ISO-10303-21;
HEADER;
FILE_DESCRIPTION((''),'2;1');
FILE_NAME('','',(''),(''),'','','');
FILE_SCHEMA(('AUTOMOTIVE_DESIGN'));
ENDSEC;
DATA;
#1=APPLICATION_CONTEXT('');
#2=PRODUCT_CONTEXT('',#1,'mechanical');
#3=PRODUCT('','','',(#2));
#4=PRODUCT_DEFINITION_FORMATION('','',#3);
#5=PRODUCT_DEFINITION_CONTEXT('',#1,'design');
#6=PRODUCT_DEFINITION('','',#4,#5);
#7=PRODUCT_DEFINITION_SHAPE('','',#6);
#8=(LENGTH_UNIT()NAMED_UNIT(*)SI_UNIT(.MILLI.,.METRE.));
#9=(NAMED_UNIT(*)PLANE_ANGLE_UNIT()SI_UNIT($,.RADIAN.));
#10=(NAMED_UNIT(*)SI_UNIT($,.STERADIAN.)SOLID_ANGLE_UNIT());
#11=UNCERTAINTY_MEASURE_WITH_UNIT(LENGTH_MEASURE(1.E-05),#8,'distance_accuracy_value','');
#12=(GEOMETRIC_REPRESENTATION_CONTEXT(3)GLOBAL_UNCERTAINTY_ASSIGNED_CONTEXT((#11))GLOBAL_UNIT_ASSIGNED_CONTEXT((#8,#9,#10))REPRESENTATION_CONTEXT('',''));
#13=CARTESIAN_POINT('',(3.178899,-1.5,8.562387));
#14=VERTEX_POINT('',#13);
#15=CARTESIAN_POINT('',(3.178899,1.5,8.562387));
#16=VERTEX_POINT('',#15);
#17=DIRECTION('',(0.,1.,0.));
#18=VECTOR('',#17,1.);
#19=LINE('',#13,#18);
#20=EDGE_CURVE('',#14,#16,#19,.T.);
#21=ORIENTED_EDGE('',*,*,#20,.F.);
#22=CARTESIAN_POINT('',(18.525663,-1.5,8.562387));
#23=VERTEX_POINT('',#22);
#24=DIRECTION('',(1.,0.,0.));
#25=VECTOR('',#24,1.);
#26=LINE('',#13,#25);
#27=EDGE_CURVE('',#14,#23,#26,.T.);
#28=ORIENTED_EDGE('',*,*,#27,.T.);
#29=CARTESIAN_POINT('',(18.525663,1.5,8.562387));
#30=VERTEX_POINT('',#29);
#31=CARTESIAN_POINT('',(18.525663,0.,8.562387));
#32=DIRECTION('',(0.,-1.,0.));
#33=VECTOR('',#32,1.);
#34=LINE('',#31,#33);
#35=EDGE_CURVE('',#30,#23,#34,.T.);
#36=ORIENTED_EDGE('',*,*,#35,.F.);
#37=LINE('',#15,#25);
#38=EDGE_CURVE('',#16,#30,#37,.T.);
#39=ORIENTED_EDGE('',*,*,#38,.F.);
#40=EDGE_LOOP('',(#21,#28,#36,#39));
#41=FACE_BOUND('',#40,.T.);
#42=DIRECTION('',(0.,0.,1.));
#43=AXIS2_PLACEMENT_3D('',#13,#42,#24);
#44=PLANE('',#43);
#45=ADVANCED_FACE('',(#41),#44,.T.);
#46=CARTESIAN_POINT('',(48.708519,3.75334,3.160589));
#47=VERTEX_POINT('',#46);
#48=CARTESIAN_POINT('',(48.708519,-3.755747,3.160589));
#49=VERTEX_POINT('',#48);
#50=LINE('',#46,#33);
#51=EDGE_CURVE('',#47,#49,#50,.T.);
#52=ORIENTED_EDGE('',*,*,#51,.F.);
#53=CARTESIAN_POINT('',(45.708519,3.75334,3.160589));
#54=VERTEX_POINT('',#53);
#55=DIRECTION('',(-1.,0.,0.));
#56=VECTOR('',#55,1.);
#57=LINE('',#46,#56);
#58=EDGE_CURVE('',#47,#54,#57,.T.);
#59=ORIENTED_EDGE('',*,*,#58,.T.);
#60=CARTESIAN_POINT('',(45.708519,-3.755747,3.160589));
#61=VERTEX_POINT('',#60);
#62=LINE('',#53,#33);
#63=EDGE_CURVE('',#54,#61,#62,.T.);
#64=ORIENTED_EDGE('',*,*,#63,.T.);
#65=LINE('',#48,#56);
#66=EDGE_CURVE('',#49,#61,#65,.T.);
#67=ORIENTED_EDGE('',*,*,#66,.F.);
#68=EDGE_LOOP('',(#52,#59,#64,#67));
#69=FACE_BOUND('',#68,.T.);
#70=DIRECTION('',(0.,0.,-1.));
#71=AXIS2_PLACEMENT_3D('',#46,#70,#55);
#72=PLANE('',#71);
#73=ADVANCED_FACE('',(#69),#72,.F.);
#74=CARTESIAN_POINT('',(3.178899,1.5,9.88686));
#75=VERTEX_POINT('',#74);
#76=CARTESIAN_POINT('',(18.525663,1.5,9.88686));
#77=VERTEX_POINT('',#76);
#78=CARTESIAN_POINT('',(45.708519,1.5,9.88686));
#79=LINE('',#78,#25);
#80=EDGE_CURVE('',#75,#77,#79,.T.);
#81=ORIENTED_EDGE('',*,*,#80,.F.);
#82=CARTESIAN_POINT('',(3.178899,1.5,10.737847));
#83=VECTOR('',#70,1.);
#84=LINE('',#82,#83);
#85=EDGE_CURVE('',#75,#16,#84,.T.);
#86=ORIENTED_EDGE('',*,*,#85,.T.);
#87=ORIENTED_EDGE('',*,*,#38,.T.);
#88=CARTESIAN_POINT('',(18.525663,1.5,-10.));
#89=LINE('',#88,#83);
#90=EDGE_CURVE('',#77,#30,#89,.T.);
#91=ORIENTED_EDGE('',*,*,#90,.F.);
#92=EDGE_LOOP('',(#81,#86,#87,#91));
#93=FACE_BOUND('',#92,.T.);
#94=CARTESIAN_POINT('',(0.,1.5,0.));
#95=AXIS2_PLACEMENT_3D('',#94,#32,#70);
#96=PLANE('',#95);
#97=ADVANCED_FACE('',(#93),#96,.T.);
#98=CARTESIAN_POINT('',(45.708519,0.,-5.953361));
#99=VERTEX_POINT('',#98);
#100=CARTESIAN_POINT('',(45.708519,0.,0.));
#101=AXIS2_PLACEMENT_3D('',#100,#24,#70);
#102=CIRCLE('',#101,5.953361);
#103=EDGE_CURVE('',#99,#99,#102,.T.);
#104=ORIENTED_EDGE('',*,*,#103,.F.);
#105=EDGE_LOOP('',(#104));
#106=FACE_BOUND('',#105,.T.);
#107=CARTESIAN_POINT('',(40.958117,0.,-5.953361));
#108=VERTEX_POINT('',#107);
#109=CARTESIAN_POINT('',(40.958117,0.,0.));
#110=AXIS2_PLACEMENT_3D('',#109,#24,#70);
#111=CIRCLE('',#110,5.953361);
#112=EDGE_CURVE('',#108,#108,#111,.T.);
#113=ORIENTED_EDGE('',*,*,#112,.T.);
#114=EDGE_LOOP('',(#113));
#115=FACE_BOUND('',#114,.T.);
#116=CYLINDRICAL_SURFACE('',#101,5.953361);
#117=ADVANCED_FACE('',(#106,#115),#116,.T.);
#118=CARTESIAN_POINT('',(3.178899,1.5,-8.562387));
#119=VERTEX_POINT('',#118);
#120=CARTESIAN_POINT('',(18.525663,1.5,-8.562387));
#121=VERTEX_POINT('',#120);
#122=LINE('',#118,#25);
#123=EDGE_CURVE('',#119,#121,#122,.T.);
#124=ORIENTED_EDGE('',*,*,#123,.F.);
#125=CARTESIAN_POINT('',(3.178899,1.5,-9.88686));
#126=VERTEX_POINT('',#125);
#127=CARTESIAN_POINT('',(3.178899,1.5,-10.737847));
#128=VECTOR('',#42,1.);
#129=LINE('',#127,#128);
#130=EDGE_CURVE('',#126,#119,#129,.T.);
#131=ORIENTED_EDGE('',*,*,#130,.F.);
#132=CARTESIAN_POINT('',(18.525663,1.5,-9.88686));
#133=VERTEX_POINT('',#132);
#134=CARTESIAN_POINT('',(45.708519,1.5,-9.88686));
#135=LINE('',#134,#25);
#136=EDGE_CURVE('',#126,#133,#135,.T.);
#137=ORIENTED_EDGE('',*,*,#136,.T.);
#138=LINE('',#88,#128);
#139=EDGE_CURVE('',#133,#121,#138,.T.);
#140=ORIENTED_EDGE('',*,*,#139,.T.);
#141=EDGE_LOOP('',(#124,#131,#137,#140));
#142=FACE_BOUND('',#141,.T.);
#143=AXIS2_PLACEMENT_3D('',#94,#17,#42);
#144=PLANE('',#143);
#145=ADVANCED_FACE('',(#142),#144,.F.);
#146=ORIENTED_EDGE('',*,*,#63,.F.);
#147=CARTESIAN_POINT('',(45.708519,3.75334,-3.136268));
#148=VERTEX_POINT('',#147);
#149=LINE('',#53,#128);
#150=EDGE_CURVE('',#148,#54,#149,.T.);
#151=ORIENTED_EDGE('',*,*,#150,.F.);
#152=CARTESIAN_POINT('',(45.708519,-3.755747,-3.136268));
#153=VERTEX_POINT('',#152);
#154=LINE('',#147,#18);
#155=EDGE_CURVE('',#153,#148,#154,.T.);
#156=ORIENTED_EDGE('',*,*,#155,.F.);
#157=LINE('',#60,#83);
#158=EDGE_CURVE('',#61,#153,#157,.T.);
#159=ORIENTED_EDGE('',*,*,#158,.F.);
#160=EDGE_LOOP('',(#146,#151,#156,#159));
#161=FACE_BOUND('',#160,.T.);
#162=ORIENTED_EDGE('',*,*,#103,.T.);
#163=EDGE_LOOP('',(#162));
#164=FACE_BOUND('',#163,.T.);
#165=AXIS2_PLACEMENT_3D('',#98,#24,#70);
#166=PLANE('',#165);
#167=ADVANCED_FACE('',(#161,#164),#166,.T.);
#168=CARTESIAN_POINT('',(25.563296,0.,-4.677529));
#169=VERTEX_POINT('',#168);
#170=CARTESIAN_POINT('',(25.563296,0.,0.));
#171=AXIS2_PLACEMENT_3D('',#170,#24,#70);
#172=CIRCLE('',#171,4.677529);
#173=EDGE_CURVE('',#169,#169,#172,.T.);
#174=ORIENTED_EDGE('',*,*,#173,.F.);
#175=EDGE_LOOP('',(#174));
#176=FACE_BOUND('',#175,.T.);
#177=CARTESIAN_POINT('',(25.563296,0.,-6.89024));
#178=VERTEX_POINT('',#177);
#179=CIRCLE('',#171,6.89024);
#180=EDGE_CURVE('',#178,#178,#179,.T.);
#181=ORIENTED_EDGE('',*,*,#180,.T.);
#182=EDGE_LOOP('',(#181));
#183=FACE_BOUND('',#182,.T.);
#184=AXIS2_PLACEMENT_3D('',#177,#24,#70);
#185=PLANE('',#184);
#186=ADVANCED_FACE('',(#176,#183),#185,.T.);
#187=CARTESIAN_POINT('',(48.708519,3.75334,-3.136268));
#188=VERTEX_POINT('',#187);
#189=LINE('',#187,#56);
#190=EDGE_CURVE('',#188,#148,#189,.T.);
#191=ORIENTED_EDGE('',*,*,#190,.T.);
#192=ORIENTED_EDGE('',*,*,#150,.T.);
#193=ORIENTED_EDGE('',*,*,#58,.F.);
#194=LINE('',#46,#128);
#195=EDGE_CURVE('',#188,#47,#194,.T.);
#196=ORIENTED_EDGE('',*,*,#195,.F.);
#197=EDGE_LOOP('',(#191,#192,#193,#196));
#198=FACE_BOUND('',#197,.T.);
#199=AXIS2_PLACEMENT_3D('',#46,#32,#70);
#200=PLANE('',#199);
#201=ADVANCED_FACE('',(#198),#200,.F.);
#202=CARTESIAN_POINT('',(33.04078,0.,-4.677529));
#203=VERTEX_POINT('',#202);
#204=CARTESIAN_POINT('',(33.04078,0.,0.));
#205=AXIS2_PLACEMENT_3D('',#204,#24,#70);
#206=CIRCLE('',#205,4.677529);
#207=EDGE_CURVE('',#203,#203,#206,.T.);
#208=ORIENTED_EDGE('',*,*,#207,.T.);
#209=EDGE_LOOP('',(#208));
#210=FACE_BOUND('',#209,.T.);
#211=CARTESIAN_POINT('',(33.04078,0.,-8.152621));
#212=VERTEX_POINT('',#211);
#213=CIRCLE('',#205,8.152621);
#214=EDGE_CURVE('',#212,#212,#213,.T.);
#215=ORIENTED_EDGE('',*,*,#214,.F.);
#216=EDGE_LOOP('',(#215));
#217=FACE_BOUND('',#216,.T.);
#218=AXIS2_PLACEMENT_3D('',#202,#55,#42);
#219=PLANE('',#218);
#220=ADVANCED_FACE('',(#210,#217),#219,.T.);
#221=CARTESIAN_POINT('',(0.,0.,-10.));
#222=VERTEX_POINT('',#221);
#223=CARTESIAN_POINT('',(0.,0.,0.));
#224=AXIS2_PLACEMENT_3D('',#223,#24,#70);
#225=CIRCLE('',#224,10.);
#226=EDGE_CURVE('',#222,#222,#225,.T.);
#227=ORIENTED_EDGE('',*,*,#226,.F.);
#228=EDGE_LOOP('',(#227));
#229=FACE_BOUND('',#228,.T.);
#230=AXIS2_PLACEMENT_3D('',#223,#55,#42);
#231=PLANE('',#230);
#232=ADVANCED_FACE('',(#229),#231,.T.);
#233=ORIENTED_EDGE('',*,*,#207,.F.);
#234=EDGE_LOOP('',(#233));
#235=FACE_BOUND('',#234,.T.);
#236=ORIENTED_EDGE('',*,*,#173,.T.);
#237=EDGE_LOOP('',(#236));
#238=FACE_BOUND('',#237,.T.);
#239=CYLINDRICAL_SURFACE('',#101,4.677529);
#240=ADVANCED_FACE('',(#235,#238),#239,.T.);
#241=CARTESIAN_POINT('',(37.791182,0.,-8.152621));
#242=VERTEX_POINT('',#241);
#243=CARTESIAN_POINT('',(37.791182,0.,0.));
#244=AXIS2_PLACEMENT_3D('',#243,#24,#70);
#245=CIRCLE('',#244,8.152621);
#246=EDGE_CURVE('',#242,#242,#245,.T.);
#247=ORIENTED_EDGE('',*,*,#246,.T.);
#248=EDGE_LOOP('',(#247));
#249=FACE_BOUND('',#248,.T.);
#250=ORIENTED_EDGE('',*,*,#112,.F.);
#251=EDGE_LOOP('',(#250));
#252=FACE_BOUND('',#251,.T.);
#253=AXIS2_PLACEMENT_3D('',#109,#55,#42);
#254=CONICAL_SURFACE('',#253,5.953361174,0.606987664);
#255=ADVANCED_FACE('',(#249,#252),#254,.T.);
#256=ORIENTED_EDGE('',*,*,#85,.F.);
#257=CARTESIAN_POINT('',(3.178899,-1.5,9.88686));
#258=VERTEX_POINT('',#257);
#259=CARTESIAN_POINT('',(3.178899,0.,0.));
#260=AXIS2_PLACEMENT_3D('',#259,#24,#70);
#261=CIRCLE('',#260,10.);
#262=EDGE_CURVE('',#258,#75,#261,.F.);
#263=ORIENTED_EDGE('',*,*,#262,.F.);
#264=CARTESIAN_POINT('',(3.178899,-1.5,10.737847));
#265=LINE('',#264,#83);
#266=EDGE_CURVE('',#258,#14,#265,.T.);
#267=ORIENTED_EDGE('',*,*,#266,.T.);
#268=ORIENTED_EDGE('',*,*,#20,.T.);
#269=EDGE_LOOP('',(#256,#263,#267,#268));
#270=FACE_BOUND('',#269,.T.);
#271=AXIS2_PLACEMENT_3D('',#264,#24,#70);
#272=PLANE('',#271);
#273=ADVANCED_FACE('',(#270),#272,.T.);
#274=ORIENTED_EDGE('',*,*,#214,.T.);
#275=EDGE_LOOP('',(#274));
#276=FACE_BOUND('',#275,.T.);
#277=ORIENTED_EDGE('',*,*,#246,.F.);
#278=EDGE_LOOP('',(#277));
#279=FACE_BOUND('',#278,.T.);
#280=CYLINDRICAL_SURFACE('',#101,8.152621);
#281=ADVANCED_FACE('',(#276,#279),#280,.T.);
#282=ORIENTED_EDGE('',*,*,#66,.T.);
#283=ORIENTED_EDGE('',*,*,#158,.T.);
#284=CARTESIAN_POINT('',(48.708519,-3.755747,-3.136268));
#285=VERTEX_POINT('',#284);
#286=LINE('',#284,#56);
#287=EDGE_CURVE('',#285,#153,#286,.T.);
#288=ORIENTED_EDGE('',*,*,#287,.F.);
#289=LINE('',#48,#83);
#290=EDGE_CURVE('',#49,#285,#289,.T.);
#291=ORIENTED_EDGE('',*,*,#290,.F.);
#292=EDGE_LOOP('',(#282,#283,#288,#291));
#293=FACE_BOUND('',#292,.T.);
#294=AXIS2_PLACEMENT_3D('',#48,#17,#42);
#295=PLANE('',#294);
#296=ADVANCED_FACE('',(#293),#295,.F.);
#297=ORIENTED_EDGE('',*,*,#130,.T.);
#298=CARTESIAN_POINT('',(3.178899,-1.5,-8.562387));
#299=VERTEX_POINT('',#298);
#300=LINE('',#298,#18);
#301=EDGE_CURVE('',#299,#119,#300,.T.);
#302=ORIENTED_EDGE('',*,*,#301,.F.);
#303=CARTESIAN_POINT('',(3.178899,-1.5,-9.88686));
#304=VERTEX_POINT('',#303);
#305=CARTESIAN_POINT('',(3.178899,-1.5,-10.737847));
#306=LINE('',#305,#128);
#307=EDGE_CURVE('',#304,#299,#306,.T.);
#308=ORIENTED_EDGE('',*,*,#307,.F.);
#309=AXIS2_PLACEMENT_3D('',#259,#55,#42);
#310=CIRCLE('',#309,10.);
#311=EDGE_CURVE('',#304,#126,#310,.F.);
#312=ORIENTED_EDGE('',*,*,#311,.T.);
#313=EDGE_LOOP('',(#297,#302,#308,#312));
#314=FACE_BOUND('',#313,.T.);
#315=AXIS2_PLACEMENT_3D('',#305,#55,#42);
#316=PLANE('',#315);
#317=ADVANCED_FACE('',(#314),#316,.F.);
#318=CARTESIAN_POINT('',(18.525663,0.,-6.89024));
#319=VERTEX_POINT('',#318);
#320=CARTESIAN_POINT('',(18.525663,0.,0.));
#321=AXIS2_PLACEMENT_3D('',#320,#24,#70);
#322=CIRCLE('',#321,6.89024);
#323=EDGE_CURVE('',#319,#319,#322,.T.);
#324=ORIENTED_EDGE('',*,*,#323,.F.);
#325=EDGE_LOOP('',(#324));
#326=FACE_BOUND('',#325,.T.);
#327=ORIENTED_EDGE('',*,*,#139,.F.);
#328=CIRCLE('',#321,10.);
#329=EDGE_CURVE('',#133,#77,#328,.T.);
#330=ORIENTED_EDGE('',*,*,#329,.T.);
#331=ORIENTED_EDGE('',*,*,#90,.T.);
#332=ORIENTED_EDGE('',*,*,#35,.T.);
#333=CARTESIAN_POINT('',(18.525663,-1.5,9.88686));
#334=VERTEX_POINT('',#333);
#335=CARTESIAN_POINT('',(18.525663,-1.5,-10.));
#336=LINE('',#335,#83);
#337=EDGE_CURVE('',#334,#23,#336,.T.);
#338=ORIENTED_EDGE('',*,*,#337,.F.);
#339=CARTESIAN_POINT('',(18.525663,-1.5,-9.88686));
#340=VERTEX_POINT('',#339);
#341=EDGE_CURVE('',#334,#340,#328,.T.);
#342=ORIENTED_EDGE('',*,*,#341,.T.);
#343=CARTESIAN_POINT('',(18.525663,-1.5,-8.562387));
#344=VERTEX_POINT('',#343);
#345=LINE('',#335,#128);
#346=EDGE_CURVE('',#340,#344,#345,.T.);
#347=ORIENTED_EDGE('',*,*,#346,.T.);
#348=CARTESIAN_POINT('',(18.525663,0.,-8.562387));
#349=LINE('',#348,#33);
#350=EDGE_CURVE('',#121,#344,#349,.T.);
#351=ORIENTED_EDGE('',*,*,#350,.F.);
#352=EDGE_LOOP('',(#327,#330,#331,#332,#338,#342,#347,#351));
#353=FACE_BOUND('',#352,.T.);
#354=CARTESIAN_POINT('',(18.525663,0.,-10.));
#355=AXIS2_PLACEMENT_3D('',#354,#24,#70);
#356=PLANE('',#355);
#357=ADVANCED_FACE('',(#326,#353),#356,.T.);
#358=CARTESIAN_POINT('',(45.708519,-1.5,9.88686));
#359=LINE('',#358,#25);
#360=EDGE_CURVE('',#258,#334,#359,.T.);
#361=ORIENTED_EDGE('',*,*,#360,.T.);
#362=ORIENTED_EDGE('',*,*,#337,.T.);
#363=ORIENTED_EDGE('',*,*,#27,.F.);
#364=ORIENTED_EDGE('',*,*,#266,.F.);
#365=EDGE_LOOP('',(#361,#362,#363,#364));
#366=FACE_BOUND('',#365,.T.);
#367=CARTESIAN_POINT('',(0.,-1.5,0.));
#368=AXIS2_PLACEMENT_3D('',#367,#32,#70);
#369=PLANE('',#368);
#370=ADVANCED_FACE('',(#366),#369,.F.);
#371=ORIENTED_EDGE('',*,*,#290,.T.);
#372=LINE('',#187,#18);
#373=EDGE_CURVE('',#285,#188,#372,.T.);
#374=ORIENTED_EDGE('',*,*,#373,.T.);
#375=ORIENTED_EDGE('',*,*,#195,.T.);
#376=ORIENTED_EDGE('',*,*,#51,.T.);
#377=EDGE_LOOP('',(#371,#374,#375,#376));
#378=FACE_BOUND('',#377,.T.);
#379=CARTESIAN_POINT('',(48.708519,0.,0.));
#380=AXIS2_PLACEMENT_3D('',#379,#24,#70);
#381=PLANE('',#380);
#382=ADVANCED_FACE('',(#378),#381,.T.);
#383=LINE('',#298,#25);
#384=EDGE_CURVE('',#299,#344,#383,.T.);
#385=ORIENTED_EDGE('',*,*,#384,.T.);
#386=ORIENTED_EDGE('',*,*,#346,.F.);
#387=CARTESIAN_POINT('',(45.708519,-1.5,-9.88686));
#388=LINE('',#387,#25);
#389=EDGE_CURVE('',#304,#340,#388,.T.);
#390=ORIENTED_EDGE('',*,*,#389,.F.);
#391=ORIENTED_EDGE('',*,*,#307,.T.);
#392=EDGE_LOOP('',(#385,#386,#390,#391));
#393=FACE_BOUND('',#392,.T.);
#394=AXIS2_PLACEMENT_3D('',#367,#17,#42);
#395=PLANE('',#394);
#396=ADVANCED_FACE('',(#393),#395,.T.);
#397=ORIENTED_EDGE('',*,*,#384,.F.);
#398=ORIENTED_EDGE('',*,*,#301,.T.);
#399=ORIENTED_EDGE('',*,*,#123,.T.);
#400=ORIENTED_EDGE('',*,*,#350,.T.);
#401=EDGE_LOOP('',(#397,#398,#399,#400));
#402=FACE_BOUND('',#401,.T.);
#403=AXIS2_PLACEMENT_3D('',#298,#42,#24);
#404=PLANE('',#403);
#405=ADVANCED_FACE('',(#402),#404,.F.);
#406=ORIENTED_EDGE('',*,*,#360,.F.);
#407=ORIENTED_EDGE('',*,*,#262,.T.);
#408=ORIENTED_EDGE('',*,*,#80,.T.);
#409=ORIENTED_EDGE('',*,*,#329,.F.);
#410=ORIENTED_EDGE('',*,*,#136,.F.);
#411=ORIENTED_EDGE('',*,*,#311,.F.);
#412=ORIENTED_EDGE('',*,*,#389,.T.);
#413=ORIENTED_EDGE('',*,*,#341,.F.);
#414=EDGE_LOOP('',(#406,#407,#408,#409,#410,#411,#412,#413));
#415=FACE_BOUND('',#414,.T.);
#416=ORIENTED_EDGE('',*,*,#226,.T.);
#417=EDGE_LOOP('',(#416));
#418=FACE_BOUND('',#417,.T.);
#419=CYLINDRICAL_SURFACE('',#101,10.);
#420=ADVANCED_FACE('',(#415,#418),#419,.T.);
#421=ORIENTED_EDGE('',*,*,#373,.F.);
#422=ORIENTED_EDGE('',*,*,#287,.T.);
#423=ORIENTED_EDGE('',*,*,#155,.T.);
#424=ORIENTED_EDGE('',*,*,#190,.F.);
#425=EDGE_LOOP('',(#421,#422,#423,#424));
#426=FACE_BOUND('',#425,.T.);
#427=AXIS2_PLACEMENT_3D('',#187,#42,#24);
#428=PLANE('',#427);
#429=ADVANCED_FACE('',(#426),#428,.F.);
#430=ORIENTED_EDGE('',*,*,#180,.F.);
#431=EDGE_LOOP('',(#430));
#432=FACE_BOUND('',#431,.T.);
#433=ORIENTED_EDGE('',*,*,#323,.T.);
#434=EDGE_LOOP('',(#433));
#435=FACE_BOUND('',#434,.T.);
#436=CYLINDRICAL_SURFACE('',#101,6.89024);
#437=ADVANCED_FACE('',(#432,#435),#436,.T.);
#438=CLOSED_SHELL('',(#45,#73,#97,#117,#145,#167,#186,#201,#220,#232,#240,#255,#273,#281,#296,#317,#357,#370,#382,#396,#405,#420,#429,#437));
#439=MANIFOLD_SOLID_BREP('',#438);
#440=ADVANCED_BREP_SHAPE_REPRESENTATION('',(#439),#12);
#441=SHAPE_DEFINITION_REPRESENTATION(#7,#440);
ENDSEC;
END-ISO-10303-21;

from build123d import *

# Parameters (mm, degrees)
SKETCH2_W           = 17.886691146
SKETCH2_H           = 2.175460001
CUT_EXTRUDE1_DEPTH  = 1.5
SKETCH3_W           = 6.296857424
SKETCH3_H           = 7.509086661
BOSS_EXTRUDE1_DEPTH = 3


with BuildPart() as part:
    # Sketch1 → Revolve1 (revolve)
    with BuildSketch(Plane(origin=(0, 0, 0), x_dir=(1, 0, 0), z_dir=(0, 1, 0))):
        Polygon((0, 0), (0, 10), (18.52566279, 10), (18.52566279, 6.890240487), (25.563295531, 6.890240487), (25.563295531, 4.677528689), (33.040780318, 4.677528689), (33.040780318, 8.152621406), (37.791182418, 8.152621406), (40.958117151, 5.953361174), (45.708519251, 5.953361174), (45.708519251, 0), align=None)
    revolve(axis=Axis((45.708519251, 0, 0), (-1, 0, 0)))

    # Sketch2 → Cut-Extrude1 (cut, symmetric)
    with BuildSketch(Plane(origin=(0, 0, 0), x_dir=(1, 0, 0), z_dir=(0, 1, 0))):
        with Locations((12.122244938, 9.650117441)):
            Rectangle(SKETCH2_W, SKETCH2_H)
        with Locations((12.122244938, -9.650117441)):
            Rectangle(SKETCH2_W, SKETCH2_H)
    extrude(amount=CUT_EXTRUDE1_DEPTH, both=True, mode=Mode.SUBTRACT)

    # Sketch3 → Boss-Extrude1 (add)
    with BuildSketch(Plane(origin=(45.708519251, 0, 0), x_dir=(0, 0, -1), z_dir=(1, 0, 0))):
        with Locations((-0.012160705, -0.001203589)):
            Rectangle(SKETCH3_W, SKETCH3_H)
    extrude(amount=BOSS_EXTRUDE1_DEPTH)


solid = part.part
